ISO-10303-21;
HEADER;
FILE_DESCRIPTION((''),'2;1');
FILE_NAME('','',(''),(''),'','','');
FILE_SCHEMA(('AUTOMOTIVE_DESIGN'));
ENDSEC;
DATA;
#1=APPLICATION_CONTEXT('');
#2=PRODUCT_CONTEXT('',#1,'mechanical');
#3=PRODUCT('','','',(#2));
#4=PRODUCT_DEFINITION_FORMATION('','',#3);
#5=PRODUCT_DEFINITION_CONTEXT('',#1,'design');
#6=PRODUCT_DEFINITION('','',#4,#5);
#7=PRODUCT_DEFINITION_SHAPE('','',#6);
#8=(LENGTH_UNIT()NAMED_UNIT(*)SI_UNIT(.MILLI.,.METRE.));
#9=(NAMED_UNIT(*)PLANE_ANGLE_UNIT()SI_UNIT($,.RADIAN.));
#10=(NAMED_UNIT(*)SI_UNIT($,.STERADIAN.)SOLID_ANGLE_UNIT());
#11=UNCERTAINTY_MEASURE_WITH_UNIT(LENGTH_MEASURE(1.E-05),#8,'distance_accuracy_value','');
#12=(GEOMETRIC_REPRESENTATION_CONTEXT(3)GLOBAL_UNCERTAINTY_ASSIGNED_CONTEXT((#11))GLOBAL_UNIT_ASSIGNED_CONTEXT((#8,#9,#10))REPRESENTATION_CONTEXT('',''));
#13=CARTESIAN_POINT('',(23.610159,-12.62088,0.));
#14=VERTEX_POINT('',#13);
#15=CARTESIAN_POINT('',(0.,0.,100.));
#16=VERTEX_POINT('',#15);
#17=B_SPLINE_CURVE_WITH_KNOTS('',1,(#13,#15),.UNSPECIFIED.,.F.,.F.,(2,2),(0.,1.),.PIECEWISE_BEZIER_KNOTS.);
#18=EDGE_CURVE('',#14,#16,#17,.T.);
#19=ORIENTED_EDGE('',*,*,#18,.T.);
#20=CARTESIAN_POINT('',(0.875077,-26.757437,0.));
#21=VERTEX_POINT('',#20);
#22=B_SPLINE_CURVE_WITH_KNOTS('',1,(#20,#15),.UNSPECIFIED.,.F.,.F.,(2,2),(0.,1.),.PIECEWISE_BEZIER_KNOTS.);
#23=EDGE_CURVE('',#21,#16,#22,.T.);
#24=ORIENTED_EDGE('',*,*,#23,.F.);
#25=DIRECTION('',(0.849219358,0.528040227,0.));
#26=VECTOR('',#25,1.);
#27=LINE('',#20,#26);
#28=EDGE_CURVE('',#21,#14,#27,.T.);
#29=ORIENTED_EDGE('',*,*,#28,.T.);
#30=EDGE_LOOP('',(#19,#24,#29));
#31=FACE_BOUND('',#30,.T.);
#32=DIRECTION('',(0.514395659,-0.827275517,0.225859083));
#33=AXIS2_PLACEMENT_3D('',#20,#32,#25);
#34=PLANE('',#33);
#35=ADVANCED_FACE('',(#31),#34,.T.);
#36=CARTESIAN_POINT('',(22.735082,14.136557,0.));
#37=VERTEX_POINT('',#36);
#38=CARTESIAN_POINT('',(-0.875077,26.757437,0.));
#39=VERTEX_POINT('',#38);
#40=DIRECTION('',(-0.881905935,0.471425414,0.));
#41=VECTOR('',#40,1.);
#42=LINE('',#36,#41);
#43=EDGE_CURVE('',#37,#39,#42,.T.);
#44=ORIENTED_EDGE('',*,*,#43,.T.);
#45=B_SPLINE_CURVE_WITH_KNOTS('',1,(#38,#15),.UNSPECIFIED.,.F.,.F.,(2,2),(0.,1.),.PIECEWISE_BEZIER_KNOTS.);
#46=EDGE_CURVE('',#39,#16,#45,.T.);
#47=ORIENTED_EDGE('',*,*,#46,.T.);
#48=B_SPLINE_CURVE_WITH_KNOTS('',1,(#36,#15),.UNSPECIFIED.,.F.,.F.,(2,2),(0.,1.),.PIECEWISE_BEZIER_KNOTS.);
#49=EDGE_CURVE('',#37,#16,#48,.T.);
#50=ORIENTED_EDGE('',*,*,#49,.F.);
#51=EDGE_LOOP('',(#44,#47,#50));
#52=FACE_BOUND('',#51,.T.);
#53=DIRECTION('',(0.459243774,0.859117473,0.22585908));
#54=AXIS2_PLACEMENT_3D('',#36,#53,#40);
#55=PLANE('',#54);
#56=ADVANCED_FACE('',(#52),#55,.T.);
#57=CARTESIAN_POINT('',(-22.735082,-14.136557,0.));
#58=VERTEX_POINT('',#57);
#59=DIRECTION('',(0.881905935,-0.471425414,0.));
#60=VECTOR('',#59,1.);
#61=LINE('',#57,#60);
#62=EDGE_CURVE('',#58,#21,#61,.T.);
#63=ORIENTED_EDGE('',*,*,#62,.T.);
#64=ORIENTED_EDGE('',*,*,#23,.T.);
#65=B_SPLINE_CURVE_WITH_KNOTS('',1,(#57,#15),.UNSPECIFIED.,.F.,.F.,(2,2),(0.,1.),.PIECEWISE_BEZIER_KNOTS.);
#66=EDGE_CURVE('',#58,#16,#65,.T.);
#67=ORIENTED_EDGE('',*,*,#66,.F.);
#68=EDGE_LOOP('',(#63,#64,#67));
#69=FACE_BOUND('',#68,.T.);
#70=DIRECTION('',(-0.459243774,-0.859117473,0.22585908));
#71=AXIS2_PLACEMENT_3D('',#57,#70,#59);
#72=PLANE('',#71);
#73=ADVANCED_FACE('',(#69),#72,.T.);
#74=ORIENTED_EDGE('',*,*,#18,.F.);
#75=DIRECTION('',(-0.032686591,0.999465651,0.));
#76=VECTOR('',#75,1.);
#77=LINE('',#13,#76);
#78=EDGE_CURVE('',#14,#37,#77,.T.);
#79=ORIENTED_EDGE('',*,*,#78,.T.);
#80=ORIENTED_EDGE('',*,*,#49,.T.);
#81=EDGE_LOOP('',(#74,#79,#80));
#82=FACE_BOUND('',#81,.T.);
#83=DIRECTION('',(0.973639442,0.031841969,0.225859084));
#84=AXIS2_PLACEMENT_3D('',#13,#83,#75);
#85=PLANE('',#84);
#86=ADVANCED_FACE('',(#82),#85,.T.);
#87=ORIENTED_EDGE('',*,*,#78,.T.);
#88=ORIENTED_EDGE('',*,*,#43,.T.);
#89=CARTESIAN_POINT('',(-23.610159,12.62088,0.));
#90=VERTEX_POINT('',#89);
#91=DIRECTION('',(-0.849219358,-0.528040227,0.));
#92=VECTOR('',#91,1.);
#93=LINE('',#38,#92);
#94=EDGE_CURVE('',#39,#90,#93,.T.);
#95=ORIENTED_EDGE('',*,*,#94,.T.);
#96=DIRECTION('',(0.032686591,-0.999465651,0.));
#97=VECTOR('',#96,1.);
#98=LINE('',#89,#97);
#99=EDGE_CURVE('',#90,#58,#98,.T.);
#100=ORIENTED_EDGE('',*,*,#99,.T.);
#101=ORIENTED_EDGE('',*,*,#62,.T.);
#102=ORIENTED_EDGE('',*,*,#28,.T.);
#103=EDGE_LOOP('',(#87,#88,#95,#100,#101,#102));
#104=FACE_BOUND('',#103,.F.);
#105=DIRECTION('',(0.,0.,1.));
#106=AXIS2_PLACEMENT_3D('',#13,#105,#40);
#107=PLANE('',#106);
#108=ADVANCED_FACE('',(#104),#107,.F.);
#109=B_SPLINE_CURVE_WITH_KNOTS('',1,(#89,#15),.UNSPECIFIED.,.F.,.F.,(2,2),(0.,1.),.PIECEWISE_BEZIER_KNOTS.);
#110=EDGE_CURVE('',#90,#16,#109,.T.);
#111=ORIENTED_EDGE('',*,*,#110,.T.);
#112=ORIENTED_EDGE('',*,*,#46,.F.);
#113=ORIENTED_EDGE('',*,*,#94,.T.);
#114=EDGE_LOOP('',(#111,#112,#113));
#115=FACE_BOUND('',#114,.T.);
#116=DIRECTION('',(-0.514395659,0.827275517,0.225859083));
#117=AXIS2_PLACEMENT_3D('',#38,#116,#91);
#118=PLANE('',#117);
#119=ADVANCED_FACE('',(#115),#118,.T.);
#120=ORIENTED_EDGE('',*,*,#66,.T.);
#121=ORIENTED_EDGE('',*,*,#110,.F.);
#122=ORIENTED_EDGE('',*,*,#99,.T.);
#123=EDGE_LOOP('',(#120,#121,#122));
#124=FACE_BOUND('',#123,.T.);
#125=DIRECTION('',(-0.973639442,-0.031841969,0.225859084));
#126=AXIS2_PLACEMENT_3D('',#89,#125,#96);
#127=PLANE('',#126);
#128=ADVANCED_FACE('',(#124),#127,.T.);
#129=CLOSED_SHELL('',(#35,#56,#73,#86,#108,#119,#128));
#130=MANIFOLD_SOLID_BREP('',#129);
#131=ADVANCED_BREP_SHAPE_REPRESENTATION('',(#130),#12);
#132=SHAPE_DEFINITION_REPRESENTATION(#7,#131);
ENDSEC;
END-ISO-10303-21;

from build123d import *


with BuildPart() as f3:
    # F0 (on Top) → F3 section 0
    with BuildSketch(Plane.XY, mode=Mode.PRIVATE) as f3_s0:
        Polygon((23.610159, -12.62088), (22.735082, 14.136557), (-0.875077, 26.757437), (-23.610159, 12.62088), (-22.735082, -14.136557), (0.875077, -26.757437), align=None)
    loft([f3_s0.sketch, Vertex(0, 0, 100)])


solid = f3.part
